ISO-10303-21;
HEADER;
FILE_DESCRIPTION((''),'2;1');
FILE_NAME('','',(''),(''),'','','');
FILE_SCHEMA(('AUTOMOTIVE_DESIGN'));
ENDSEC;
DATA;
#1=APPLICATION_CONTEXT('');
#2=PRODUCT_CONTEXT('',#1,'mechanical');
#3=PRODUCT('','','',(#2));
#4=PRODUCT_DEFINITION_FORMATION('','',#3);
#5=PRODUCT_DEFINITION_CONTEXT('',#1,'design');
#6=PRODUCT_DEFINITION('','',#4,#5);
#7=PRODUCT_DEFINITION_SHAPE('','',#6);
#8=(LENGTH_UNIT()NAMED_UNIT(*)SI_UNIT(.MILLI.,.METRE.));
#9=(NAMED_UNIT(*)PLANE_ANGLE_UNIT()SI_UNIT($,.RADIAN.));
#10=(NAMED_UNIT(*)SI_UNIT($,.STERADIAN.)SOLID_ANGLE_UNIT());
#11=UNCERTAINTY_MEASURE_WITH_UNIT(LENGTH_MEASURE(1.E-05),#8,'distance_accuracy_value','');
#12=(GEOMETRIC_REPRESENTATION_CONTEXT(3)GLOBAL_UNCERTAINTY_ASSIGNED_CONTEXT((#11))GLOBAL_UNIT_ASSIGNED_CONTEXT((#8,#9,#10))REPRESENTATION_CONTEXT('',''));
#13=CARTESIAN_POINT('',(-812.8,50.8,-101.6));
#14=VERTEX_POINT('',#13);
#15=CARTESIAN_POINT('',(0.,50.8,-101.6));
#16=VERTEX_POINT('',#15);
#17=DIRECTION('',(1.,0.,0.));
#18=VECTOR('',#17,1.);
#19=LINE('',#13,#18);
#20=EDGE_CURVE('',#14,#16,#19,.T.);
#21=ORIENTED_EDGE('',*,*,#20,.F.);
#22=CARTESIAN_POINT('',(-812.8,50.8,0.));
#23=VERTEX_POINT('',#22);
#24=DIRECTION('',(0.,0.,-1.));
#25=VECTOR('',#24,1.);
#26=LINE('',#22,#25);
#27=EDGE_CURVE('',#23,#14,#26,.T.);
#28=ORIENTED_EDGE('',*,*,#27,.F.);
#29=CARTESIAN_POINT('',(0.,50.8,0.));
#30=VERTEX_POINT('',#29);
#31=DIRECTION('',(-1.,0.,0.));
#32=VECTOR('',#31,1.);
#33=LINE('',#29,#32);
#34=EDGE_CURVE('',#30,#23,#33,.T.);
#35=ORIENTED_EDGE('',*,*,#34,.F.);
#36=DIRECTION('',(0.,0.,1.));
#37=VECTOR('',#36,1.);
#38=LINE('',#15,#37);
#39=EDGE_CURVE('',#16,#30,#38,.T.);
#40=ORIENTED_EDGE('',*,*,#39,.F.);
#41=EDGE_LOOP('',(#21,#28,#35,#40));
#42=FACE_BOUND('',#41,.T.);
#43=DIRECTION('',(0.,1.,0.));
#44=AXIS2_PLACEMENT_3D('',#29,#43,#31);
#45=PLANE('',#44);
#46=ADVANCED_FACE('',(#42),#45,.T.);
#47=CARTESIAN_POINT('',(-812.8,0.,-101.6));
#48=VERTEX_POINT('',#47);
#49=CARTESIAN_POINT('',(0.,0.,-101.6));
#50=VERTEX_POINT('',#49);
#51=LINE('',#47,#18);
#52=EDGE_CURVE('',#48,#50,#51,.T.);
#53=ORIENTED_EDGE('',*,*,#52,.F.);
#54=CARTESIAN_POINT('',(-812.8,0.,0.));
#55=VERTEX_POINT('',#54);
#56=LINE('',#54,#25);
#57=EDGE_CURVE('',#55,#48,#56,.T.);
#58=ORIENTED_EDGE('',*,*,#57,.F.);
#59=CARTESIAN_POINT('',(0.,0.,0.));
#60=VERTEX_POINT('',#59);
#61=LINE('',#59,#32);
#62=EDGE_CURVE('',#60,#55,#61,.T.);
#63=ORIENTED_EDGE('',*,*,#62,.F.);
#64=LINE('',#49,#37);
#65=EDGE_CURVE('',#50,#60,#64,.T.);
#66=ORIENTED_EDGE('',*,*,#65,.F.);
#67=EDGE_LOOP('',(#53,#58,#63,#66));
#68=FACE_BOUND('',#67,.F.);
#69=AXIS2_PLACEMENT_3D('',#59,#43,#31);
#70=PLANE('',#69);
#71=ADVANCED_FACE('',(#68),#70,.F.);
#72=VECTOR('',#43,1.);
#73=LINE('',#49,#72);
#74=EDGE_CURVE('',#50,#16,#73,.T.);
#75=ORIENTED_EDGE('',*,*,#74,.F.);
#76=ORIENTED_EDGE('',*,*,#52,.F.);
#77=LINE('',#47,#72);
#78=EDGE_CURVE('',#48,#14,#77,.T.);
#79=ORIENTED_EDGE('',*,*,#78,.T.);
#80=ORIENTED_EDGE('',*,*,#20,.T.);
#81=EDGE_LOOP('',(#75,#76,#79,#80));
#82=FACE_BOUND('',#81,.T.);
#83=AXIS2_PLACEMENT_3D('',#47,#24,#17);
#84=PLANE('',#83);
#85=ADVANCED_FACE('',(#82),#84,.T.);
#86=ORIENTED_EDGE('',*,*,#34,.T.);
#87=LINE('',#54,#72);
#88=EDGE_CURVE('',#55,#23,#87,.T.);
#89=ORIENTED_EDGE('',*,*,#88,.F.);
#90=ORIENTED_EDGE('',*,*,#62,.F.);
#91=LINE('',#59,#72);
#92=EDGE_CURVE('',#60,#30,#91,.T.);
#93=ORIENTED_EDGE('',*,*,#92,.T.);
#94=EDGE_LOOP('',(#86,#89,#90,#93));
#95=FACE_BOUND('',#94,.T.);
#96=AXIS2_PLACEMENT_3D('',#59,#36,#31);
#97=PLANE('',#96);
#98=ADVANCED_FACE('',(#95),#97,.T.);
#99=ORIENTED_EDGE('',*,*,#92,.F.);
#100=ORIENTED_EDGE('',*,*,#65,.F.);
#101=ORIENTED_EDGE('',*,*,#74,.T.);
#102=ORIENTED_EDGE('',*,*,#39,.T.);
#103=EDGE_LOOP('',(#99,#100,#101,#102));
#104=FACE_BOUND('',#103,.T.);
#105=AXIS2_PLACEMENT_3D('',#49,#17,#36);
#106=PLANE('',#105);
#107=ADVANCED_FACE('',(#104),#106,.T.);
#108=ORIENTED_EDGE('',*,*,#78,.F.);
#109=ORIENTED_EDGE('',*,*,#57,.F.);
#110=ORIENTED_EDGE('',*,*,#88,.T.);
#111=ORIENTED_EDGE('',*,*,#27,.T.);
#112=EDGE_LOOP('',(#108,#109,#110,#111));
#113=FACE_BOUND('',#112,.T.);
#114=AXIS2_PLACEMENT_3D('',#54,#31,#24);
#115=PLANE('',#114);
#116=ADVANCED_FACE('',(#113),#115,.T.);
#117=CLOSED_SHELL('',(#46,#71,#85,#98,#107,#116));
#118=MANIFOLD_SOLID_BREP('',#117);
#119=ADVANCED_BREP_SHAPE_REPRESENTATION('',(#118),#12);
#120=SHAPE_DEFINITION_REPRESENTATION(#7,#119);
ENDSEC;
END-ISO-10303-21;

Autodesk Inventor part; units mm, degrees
ref_plane "YZ Plane" through (0, 0, 0) normal (1, 0, 0) x (0, 1, 0)
ref_plane "XZ Plane" through (0, 0, 0) normal (0, 1, 0) x (-1, 0, 0)
ref_plane "XY Plane" through (0, 0, 0) normal (0, 0, 1) x (1, 0, 0)
sketch "Sketch1" plane through (0, 0, 0) normal (0, 1, 0) x (-1, 0, 0)
  line L0 (0, 0) -> (812.8, 0)
  line L1 (812.8, 0) -> (812.8, -101.6)
  line L2 (812.8, -101.6) -> (0, -101.6)
  line L3 (0, -101.6) -> (0, 0)
  dimension "d0" = 812.8
  dimension "d1" = 101.6
extrude "Extrusion1" add sketch "Sketch1" along normal blind 50.8
properties part number "2x4x28"
